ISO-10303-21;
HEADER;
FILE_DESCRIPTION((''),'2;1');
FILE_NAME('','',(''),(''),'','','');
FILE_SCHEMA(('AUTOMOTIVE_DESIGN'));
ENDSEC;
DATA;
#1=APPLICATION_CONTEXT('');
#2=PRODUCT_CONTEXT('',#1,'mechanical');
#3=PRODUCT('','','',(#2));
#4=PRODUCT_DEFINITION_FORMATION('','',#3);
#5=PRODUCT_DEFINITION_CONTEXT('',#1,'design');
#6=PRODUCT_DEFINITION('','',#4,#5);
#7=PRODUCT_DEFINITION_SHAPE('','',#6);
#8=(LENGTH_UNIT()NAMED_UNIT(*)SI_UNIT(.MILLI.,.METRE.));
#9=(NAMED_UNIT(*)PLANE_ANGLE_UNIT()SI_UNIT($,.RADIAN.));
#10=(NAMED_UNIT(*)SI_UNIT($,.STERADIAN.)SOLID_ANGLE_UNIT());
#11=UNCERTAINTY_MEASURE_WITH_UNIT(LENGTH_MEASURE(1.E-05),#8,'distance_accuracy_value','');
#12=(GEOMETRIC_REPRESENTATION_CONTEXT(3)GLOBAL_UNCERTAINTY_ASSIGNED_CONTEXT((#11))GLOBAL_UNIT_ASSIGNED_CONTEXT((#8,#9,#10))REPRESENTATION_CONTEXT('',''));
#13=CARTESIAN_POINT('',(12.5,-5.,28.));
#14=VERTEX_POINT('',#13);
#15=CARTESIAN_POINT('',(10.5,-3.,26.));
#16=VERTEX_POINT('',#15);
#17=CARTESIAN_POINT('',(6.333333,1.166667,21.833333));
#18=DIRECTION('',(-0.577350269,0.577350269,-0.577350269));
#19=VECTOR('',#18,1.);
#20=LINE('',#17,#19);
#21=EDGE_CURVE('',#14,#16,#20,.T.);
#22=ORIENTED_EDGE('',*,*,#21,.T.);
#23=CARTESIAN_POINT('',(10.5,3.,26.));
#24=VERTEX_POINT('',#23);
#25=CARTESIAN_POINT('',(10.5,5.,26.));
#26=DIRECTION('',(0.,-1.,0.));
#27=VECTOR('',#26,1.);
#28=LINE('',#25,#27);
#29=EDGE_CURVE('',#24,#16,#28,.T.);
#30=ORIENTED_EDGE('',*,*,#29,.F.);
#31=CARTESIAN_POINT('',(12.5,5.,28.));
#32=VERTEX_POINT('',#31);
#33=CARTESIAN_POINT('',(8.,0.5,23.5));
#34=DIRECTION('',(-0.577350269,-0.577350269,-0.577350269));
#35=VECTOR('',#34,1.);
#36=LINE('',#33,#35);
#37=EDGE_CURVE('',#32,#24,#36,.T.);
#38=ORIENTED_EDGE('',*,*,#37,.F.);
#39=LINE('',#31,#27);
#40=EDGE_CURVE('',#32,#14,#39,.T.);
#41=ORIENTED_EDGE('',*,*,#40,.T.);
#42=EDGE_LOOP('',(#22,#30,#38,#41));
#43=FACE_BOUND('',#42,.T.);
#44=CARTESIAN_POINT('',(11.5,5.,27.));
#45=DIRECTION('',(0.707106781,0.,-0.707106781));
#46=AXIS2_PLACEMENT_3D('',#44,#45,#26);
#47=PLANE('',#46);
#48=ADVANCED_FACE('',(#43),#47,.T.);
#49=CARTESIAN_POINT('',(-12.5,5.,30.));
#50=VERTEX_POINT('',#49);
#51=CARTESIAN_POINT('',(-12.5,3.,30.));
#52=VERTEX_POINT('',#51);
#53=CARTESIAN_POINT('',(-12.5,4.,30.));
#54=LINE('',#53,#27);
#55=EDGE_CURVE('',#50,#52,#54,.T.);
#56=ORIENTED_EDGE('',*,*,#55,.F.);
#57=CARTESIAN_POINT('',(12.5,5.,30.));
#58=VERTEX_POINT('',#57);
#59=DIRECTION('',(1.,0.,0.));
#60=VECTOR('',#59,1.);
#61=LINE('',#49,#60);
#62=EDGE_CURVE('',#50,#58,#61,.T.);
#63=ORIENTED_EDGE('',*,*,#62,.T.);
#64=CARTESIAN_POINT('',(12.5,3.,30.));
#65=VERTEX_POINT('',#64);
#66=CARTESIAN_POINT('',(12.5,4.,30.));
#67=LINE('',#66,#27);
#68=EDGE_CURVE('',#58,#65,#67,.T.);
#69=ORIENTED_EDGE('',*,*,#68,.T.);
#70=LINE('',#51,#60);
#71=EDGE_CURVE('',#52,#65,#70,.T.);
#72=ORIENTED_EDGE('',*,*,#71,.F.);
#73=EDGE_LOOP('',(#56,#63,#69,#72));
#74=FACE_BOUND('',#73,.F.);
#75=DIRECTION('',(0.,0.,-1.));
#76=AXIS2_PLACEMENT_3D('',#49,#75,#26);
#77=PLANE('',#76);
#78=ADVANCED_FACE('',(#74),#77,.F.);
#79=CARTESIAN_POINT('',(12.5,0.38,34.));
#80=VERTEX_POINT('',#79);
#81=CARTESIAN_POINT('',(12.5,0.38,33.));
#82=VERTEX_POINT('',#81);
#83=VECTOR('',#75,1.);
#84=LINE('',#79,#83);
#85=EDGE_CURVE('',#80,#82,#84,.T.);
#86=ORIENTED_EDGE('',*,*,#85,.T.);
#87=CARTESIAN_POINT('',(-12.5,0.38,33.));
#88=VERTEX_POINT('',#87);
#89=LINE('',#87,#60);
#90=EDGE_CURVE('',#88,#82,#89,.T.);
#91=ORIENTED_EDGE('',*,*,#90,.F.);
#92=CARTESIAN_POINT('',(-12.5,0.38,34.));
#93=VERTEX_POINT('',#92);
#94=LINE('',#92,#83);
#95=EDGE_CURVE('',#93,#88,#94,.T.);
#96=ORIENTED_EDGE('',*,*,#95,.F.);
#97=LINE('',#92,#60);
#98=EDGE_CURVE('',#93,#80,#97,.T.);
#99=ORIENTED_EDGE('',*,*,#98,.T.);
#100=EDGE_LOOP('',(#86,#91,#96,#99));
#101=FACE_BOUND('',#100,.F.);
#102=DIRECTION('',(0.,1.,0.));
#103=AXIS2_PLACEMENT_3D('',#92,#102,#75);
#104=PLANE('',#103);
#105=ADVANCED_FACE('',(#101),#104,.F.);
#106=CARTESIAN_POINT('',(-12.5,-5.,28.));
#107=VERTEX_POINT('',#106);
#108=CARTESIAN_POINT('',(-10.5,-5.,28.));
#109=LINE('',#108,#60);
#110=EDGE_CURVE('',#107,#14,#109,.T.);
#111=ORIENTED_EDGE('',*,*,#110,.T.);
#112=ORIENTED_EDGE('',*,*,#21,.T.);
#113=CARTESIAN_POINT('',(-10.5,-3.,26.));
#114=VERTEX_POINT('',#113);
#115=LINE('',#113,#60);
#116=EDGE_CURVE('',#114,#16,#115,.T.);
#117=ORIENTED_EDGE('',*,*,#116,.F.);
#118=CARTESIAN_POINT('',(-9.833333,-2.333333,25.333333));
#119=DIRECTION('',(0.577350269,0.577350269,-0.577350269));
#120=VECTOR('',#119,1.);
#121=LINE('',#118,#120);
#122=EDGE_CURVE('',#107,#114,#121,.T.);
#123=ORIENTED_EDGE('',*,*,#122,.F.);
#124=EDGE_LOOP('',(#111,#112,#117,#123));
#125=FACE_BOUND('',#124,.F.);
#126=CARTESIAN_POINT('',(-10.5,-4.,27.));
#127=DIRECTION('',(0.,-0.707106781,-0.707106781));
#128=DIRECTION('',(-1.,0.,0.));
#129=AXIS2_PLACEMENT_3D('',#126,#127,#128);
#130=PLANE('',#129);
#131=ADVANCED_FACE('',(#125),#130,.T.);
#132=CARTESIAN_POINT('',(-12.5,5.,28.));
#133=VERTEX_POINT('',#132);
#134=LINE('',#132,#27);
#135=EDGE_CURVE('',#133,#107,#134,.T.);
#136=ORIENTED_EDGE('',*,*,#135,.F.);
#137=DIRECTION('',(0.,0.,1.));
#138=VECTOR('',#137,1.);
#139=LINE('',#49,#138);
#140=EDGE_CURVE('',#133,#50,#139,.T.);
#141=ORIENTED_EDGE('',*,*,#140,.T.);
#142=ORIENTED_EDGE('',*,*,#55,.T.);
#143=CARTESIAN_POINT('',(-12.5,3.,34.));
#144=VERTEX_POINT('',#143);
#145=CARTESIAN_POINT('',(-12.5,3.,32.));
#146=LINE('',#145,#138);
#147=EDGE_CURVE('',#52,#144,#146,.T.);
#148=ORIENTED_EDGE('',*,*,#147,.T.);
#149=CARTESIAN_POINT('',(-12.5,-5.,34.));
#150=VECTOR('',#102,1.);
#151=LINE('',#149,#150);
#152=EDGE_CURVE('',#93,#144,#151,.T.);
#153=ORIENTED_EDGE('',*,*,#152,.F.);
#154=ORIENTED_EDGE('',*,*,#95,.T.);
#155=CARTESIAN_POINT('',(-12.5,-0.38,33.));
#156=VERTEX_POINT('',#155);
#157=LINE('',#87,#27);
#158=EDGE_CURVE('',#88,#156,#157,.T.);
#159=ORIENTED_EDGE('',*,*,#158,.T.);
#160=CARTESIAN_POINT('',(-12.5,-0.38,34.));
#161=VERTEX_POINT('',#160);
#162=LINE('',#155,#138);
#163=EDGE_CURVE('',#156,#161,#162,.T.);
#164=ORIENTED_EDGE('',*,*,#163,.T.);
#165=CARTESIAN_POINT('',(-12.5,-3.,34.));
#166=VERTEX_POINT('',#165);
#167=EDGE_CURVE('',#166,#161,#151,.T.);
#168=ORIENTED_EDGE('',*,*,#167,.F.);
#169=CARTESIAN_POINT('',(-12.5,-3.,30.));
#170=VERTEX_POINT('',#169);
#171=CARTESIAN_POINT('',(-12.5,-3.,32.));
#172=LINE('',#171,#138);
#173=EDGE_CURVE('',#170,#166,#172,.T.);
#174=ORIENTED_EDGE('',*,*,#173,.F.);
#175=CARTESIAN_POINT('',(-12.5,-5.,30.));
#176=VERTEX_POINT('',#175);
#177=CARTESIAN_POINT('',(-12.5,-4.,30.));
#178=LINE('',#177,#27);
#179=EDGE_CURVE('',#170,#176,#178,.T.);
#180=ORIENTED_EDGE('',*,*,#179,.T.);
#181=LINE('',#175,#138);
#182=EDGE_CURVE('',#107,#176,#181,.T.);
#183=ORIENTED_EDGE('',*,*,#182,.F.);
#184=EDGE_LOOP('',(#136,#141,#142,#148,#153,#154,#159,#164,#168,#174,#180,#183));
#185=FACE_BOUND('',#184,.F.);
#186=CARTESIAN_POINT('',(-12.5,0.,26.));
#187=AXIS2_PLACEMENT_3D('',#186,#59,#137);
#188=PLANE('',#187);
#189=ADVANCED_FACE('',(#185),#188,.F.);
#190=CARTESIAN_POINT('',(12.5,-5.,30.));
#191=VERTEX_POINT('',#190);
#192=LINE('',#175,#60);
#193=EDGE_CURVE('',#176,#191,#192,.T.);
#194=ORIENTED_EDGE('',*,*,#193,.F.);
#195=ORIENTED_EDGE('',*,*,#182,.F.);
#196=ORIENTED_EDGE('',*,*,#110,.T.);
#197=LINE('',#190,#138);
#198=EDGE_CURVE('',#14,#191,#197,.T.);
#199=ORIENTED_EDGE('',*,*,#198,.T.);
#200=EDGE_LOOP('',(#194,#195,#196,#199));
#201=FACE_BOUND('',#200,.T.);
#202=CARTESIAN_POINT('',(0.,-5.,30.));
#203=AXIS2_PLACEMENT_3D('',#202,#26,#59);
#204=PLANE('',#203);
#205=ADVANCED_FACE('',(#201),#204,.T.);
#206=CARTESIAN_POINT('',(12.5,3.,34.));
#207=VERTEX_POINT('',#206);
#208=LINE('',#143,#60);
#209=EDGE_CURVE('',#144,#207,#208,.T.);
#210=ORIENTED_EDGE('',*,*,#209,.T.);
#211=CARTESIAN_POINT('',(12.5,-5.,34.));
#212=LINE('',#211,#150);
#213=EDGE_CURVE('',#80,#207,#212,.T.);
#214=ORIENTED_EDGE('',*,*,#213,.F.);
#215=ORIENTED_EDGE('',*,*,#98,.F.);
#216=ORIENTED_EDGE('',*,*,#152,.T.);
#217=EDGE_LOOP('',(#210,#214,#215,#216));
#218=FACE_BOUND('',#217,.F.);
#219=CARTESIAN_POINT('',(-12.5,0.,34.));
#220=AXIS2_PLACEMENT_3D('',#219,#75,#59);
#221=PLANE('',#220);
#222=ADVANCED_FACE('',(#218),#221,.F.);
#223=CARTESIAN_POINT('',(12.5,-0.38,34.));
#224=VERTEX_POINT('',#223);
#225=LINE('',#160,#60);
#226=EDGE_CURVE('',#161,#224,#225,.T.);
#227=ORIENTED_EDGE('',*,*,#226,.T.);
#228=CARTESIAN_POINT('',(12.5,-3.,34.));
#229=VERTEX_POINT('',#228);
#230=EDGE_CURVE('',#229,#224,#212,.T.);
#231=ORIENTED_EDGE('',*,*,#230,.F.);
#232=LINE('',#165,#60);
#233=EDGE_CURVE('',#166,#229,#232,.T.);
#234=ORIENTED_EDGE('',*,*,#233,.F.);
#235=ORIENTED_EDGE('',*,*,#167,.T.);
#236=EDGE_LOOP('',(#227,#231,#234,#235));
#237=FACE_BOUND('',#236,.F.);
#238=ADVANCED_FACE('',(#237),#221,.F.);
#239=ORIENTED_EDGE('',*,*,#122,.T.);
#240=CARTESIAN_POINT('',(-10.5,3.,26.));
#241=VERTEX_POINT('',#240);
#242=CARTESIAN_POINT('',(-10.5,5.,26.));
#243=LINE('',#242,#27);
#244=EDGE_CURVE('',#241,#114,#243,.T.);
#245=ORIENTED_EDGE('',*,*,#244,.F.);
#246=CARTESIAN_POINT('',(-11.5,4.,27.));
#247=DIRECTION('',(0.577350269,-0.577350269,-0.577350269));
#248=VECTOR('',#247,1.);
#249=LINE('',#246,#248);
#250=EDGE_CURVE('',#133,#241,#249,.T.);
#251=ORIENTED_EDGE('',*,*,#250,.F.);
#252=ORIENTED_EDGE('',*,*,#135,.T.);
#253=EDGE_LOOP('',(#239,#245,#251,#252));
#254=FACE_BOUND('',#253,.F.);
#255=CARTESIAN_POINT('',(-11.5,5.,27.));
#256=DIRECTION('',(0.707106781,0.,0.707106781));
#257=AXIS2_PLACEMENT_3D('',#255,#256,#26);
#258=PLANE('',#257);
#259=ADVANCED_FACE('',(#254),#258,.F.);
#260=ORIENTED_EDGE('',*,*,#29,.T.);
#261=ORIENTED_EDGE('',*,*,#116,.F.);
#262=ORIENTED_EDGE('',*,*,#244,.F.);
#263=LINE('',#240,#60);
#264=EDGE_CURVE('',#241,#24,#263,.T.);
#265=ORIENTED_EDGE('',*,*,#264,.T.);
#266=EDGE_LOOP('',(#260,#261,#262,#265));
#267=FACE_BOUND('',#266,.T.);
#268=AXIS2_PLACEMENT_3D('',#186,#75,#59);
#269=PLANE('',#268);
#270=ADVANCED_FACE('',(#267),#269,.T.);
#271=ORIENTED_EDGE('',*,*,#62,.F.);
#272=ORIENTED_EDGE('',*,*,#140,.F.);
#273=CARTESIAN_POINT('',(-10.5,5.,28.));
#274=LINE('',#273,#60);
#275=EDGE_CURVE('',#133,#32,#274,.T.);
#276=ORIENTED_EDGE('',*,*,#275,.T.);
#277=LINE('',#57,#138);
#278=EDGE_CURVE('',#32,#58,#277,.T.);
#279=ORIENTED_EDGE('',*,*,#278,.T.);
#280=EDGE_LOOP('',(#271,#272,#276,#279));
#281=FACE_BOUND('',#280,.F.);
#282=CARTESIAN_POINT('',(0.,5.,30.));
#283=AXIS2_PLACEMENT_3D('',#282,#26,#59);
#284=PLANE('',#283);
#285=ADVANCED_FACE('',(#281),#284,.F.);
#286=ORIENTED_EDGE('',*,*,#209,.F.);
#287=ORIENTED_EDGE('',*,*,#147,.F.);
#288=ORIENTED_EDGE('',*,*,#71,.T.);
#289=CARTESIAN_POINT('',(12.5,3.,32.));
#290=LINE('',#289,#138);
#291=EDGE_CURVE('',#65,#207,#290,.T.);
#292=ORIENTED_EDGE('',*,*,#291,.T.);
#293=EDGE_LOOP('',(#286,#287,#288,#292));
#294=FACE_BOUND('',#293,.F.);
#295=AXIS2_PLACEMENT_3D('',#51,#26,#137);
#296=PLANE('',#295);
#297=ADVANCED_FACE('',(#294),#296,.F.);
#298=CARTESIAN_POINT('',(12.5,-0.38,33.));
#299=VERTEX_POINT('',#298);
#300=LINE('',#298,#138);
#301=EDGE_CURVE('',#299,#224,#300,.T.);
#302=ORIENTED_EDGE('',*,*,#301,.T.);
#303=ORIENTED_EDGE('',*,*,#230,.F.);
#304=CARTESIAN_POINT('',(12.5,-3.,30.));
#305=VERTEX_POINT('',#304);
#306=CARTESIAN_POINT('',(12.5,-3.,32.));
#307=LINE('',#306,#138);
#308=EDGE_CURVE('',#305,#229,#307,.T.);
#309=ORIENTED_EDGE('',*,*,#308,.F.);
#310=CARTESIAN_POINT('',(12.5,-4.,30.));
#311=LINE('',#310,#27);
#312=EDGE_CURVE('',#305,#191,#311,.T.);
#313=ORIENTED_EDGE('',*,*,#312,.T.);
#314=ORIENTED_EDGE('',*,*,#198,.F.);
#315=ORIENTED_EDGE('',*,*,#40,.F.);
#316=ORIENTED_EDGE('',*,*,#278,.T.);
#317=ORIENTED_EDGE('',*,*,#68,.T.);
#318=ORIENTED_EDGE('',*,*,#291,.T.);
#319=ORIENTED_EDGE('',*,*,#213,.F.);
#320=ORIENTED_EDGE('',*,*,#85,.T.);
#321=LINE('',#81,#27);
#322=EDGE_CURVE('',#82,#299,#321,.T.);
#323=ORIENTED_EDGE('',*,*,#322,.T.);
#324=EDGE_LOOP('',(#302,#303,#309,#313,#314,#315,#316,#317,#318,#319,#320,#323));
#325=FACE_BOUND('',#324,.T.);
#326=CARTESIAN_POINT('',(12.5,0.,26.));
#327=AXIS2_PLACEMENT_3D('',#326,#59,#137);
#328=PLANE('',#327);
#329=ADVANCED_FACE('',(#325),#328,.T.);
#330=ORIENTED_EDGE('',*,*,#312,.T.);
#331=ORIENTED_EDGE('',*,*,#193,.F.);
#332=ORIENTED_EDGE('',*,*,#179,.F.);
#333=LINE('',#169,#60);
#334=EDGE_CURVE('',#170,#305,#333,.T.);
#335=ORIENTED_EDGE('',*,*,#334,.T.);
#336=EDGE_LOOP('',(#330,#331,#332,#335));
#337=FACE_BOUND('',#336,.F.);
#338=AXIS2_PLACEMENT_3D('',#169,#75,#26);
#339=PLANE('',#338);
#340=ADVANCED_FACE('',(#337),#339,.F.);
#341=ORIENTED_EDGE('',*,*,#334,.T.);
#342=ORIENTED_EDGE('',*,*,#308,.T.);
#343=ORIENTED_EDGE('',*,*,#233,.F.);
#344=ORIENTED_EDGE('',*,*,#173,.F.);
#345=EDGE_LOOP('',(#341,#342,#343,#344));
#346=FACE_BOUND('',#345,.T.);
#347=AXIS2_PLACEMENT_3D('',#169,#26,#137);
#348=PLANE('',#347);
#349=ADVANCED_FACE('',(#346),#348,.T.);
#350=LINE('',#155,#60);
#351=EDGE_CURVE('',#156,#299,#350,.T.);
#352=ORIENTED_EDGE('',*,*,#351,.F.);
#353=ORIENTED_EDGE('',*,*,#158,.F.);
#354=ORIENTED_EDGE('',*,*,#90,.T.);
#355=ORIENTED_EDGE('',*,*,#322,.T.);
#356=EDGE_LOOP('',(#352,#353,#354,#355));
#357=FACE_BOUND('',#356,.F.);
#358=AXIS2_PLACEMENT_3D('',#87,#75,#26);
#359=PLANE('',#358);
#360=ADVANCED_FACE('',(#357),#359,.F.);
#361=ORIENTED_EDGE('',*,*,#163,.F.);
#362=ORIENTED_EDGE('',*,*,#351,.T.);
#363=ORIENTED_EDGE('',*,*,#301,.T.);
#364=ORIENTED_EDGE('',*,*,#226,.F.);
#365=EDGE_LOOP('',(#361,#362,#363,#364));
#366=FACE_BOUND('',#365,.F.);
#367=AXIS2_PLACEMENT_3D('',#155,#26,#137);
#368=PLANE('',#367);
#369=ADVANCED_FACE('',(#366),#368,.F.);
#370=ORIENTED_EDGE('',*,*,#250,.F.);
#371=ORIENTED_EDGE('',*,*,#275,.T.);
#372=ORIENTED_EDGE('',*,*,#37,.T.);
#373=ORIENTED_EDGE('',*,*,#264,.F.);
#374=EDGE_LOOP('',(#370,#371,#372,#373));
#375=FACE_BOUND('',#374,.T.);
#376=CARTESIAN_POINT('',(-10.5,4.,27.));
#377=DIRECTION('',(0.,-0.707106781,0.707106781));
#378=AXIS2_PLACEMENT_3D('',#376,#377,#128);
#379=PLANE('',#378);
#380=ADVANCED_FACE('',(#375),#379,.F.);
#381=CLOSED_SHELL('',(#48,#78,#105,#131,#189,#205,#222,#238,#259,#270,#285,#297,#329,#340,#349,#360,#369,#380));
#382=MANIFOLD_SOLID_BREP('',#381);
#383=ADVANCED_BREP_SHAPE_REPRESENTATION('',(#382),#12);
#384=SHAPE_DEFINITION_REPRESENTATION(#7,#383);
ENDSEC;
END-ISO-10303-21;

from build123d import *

# Parameters (mm, degrees)
F0_W     = 25
F0_H     = 8
F1_DEPTH = 5
F2_SIZE  = 2
F3_SIZE  = 2
F4_W     = 2
F4_H     = 4
F5_DEPTH = 25


with BuildPart() as f1:
    # F0 (on Front) → F1 (new body, symmetric)
    with BuildSketch(Plane.XZ):
        with Locations((0, 30)):
            Rectangle(F0_W, F0_H)
    extrude(amount=F1_DEPTH, both=True)

    # F2
    f2_edges = [f1.edges().sort_by_distance(p)[0] for p in [
        (12.5, 0, 26),
        (-12.5, 0, 26),
    ]]
    chamfer(f2_edges, length=F2_SIZE)

    # F3
    f3_edges = [f1.edges().sort_by_distance(p)[0] for p in [
        (0, -5, 26),
        (0, 5, 26),
    ]]
    chamfer(f3_edges, length=F3_SIZE)

    # F4 (on face) → F5 (cut)
    with BuildSketch(Plane(origin=(-12.5, 0, 0), x_dir=(0, -1, 0), z_dir=(-1, 0, 0))):
        with Locations((4, 32)):
            Rectangle(F4_W, F4_H)
        with Locations((-4, 32)):
            Rectangle(F4_W, F4_H)
        Polygon((-0.38, 33), (0, 33), (0.38, 33), (0.38, 34), (-0.38, 34), align=None)
    extrude(amount=-F5_DEPTH, mode=Mode.SUBTRACT)


solid = f1.part
